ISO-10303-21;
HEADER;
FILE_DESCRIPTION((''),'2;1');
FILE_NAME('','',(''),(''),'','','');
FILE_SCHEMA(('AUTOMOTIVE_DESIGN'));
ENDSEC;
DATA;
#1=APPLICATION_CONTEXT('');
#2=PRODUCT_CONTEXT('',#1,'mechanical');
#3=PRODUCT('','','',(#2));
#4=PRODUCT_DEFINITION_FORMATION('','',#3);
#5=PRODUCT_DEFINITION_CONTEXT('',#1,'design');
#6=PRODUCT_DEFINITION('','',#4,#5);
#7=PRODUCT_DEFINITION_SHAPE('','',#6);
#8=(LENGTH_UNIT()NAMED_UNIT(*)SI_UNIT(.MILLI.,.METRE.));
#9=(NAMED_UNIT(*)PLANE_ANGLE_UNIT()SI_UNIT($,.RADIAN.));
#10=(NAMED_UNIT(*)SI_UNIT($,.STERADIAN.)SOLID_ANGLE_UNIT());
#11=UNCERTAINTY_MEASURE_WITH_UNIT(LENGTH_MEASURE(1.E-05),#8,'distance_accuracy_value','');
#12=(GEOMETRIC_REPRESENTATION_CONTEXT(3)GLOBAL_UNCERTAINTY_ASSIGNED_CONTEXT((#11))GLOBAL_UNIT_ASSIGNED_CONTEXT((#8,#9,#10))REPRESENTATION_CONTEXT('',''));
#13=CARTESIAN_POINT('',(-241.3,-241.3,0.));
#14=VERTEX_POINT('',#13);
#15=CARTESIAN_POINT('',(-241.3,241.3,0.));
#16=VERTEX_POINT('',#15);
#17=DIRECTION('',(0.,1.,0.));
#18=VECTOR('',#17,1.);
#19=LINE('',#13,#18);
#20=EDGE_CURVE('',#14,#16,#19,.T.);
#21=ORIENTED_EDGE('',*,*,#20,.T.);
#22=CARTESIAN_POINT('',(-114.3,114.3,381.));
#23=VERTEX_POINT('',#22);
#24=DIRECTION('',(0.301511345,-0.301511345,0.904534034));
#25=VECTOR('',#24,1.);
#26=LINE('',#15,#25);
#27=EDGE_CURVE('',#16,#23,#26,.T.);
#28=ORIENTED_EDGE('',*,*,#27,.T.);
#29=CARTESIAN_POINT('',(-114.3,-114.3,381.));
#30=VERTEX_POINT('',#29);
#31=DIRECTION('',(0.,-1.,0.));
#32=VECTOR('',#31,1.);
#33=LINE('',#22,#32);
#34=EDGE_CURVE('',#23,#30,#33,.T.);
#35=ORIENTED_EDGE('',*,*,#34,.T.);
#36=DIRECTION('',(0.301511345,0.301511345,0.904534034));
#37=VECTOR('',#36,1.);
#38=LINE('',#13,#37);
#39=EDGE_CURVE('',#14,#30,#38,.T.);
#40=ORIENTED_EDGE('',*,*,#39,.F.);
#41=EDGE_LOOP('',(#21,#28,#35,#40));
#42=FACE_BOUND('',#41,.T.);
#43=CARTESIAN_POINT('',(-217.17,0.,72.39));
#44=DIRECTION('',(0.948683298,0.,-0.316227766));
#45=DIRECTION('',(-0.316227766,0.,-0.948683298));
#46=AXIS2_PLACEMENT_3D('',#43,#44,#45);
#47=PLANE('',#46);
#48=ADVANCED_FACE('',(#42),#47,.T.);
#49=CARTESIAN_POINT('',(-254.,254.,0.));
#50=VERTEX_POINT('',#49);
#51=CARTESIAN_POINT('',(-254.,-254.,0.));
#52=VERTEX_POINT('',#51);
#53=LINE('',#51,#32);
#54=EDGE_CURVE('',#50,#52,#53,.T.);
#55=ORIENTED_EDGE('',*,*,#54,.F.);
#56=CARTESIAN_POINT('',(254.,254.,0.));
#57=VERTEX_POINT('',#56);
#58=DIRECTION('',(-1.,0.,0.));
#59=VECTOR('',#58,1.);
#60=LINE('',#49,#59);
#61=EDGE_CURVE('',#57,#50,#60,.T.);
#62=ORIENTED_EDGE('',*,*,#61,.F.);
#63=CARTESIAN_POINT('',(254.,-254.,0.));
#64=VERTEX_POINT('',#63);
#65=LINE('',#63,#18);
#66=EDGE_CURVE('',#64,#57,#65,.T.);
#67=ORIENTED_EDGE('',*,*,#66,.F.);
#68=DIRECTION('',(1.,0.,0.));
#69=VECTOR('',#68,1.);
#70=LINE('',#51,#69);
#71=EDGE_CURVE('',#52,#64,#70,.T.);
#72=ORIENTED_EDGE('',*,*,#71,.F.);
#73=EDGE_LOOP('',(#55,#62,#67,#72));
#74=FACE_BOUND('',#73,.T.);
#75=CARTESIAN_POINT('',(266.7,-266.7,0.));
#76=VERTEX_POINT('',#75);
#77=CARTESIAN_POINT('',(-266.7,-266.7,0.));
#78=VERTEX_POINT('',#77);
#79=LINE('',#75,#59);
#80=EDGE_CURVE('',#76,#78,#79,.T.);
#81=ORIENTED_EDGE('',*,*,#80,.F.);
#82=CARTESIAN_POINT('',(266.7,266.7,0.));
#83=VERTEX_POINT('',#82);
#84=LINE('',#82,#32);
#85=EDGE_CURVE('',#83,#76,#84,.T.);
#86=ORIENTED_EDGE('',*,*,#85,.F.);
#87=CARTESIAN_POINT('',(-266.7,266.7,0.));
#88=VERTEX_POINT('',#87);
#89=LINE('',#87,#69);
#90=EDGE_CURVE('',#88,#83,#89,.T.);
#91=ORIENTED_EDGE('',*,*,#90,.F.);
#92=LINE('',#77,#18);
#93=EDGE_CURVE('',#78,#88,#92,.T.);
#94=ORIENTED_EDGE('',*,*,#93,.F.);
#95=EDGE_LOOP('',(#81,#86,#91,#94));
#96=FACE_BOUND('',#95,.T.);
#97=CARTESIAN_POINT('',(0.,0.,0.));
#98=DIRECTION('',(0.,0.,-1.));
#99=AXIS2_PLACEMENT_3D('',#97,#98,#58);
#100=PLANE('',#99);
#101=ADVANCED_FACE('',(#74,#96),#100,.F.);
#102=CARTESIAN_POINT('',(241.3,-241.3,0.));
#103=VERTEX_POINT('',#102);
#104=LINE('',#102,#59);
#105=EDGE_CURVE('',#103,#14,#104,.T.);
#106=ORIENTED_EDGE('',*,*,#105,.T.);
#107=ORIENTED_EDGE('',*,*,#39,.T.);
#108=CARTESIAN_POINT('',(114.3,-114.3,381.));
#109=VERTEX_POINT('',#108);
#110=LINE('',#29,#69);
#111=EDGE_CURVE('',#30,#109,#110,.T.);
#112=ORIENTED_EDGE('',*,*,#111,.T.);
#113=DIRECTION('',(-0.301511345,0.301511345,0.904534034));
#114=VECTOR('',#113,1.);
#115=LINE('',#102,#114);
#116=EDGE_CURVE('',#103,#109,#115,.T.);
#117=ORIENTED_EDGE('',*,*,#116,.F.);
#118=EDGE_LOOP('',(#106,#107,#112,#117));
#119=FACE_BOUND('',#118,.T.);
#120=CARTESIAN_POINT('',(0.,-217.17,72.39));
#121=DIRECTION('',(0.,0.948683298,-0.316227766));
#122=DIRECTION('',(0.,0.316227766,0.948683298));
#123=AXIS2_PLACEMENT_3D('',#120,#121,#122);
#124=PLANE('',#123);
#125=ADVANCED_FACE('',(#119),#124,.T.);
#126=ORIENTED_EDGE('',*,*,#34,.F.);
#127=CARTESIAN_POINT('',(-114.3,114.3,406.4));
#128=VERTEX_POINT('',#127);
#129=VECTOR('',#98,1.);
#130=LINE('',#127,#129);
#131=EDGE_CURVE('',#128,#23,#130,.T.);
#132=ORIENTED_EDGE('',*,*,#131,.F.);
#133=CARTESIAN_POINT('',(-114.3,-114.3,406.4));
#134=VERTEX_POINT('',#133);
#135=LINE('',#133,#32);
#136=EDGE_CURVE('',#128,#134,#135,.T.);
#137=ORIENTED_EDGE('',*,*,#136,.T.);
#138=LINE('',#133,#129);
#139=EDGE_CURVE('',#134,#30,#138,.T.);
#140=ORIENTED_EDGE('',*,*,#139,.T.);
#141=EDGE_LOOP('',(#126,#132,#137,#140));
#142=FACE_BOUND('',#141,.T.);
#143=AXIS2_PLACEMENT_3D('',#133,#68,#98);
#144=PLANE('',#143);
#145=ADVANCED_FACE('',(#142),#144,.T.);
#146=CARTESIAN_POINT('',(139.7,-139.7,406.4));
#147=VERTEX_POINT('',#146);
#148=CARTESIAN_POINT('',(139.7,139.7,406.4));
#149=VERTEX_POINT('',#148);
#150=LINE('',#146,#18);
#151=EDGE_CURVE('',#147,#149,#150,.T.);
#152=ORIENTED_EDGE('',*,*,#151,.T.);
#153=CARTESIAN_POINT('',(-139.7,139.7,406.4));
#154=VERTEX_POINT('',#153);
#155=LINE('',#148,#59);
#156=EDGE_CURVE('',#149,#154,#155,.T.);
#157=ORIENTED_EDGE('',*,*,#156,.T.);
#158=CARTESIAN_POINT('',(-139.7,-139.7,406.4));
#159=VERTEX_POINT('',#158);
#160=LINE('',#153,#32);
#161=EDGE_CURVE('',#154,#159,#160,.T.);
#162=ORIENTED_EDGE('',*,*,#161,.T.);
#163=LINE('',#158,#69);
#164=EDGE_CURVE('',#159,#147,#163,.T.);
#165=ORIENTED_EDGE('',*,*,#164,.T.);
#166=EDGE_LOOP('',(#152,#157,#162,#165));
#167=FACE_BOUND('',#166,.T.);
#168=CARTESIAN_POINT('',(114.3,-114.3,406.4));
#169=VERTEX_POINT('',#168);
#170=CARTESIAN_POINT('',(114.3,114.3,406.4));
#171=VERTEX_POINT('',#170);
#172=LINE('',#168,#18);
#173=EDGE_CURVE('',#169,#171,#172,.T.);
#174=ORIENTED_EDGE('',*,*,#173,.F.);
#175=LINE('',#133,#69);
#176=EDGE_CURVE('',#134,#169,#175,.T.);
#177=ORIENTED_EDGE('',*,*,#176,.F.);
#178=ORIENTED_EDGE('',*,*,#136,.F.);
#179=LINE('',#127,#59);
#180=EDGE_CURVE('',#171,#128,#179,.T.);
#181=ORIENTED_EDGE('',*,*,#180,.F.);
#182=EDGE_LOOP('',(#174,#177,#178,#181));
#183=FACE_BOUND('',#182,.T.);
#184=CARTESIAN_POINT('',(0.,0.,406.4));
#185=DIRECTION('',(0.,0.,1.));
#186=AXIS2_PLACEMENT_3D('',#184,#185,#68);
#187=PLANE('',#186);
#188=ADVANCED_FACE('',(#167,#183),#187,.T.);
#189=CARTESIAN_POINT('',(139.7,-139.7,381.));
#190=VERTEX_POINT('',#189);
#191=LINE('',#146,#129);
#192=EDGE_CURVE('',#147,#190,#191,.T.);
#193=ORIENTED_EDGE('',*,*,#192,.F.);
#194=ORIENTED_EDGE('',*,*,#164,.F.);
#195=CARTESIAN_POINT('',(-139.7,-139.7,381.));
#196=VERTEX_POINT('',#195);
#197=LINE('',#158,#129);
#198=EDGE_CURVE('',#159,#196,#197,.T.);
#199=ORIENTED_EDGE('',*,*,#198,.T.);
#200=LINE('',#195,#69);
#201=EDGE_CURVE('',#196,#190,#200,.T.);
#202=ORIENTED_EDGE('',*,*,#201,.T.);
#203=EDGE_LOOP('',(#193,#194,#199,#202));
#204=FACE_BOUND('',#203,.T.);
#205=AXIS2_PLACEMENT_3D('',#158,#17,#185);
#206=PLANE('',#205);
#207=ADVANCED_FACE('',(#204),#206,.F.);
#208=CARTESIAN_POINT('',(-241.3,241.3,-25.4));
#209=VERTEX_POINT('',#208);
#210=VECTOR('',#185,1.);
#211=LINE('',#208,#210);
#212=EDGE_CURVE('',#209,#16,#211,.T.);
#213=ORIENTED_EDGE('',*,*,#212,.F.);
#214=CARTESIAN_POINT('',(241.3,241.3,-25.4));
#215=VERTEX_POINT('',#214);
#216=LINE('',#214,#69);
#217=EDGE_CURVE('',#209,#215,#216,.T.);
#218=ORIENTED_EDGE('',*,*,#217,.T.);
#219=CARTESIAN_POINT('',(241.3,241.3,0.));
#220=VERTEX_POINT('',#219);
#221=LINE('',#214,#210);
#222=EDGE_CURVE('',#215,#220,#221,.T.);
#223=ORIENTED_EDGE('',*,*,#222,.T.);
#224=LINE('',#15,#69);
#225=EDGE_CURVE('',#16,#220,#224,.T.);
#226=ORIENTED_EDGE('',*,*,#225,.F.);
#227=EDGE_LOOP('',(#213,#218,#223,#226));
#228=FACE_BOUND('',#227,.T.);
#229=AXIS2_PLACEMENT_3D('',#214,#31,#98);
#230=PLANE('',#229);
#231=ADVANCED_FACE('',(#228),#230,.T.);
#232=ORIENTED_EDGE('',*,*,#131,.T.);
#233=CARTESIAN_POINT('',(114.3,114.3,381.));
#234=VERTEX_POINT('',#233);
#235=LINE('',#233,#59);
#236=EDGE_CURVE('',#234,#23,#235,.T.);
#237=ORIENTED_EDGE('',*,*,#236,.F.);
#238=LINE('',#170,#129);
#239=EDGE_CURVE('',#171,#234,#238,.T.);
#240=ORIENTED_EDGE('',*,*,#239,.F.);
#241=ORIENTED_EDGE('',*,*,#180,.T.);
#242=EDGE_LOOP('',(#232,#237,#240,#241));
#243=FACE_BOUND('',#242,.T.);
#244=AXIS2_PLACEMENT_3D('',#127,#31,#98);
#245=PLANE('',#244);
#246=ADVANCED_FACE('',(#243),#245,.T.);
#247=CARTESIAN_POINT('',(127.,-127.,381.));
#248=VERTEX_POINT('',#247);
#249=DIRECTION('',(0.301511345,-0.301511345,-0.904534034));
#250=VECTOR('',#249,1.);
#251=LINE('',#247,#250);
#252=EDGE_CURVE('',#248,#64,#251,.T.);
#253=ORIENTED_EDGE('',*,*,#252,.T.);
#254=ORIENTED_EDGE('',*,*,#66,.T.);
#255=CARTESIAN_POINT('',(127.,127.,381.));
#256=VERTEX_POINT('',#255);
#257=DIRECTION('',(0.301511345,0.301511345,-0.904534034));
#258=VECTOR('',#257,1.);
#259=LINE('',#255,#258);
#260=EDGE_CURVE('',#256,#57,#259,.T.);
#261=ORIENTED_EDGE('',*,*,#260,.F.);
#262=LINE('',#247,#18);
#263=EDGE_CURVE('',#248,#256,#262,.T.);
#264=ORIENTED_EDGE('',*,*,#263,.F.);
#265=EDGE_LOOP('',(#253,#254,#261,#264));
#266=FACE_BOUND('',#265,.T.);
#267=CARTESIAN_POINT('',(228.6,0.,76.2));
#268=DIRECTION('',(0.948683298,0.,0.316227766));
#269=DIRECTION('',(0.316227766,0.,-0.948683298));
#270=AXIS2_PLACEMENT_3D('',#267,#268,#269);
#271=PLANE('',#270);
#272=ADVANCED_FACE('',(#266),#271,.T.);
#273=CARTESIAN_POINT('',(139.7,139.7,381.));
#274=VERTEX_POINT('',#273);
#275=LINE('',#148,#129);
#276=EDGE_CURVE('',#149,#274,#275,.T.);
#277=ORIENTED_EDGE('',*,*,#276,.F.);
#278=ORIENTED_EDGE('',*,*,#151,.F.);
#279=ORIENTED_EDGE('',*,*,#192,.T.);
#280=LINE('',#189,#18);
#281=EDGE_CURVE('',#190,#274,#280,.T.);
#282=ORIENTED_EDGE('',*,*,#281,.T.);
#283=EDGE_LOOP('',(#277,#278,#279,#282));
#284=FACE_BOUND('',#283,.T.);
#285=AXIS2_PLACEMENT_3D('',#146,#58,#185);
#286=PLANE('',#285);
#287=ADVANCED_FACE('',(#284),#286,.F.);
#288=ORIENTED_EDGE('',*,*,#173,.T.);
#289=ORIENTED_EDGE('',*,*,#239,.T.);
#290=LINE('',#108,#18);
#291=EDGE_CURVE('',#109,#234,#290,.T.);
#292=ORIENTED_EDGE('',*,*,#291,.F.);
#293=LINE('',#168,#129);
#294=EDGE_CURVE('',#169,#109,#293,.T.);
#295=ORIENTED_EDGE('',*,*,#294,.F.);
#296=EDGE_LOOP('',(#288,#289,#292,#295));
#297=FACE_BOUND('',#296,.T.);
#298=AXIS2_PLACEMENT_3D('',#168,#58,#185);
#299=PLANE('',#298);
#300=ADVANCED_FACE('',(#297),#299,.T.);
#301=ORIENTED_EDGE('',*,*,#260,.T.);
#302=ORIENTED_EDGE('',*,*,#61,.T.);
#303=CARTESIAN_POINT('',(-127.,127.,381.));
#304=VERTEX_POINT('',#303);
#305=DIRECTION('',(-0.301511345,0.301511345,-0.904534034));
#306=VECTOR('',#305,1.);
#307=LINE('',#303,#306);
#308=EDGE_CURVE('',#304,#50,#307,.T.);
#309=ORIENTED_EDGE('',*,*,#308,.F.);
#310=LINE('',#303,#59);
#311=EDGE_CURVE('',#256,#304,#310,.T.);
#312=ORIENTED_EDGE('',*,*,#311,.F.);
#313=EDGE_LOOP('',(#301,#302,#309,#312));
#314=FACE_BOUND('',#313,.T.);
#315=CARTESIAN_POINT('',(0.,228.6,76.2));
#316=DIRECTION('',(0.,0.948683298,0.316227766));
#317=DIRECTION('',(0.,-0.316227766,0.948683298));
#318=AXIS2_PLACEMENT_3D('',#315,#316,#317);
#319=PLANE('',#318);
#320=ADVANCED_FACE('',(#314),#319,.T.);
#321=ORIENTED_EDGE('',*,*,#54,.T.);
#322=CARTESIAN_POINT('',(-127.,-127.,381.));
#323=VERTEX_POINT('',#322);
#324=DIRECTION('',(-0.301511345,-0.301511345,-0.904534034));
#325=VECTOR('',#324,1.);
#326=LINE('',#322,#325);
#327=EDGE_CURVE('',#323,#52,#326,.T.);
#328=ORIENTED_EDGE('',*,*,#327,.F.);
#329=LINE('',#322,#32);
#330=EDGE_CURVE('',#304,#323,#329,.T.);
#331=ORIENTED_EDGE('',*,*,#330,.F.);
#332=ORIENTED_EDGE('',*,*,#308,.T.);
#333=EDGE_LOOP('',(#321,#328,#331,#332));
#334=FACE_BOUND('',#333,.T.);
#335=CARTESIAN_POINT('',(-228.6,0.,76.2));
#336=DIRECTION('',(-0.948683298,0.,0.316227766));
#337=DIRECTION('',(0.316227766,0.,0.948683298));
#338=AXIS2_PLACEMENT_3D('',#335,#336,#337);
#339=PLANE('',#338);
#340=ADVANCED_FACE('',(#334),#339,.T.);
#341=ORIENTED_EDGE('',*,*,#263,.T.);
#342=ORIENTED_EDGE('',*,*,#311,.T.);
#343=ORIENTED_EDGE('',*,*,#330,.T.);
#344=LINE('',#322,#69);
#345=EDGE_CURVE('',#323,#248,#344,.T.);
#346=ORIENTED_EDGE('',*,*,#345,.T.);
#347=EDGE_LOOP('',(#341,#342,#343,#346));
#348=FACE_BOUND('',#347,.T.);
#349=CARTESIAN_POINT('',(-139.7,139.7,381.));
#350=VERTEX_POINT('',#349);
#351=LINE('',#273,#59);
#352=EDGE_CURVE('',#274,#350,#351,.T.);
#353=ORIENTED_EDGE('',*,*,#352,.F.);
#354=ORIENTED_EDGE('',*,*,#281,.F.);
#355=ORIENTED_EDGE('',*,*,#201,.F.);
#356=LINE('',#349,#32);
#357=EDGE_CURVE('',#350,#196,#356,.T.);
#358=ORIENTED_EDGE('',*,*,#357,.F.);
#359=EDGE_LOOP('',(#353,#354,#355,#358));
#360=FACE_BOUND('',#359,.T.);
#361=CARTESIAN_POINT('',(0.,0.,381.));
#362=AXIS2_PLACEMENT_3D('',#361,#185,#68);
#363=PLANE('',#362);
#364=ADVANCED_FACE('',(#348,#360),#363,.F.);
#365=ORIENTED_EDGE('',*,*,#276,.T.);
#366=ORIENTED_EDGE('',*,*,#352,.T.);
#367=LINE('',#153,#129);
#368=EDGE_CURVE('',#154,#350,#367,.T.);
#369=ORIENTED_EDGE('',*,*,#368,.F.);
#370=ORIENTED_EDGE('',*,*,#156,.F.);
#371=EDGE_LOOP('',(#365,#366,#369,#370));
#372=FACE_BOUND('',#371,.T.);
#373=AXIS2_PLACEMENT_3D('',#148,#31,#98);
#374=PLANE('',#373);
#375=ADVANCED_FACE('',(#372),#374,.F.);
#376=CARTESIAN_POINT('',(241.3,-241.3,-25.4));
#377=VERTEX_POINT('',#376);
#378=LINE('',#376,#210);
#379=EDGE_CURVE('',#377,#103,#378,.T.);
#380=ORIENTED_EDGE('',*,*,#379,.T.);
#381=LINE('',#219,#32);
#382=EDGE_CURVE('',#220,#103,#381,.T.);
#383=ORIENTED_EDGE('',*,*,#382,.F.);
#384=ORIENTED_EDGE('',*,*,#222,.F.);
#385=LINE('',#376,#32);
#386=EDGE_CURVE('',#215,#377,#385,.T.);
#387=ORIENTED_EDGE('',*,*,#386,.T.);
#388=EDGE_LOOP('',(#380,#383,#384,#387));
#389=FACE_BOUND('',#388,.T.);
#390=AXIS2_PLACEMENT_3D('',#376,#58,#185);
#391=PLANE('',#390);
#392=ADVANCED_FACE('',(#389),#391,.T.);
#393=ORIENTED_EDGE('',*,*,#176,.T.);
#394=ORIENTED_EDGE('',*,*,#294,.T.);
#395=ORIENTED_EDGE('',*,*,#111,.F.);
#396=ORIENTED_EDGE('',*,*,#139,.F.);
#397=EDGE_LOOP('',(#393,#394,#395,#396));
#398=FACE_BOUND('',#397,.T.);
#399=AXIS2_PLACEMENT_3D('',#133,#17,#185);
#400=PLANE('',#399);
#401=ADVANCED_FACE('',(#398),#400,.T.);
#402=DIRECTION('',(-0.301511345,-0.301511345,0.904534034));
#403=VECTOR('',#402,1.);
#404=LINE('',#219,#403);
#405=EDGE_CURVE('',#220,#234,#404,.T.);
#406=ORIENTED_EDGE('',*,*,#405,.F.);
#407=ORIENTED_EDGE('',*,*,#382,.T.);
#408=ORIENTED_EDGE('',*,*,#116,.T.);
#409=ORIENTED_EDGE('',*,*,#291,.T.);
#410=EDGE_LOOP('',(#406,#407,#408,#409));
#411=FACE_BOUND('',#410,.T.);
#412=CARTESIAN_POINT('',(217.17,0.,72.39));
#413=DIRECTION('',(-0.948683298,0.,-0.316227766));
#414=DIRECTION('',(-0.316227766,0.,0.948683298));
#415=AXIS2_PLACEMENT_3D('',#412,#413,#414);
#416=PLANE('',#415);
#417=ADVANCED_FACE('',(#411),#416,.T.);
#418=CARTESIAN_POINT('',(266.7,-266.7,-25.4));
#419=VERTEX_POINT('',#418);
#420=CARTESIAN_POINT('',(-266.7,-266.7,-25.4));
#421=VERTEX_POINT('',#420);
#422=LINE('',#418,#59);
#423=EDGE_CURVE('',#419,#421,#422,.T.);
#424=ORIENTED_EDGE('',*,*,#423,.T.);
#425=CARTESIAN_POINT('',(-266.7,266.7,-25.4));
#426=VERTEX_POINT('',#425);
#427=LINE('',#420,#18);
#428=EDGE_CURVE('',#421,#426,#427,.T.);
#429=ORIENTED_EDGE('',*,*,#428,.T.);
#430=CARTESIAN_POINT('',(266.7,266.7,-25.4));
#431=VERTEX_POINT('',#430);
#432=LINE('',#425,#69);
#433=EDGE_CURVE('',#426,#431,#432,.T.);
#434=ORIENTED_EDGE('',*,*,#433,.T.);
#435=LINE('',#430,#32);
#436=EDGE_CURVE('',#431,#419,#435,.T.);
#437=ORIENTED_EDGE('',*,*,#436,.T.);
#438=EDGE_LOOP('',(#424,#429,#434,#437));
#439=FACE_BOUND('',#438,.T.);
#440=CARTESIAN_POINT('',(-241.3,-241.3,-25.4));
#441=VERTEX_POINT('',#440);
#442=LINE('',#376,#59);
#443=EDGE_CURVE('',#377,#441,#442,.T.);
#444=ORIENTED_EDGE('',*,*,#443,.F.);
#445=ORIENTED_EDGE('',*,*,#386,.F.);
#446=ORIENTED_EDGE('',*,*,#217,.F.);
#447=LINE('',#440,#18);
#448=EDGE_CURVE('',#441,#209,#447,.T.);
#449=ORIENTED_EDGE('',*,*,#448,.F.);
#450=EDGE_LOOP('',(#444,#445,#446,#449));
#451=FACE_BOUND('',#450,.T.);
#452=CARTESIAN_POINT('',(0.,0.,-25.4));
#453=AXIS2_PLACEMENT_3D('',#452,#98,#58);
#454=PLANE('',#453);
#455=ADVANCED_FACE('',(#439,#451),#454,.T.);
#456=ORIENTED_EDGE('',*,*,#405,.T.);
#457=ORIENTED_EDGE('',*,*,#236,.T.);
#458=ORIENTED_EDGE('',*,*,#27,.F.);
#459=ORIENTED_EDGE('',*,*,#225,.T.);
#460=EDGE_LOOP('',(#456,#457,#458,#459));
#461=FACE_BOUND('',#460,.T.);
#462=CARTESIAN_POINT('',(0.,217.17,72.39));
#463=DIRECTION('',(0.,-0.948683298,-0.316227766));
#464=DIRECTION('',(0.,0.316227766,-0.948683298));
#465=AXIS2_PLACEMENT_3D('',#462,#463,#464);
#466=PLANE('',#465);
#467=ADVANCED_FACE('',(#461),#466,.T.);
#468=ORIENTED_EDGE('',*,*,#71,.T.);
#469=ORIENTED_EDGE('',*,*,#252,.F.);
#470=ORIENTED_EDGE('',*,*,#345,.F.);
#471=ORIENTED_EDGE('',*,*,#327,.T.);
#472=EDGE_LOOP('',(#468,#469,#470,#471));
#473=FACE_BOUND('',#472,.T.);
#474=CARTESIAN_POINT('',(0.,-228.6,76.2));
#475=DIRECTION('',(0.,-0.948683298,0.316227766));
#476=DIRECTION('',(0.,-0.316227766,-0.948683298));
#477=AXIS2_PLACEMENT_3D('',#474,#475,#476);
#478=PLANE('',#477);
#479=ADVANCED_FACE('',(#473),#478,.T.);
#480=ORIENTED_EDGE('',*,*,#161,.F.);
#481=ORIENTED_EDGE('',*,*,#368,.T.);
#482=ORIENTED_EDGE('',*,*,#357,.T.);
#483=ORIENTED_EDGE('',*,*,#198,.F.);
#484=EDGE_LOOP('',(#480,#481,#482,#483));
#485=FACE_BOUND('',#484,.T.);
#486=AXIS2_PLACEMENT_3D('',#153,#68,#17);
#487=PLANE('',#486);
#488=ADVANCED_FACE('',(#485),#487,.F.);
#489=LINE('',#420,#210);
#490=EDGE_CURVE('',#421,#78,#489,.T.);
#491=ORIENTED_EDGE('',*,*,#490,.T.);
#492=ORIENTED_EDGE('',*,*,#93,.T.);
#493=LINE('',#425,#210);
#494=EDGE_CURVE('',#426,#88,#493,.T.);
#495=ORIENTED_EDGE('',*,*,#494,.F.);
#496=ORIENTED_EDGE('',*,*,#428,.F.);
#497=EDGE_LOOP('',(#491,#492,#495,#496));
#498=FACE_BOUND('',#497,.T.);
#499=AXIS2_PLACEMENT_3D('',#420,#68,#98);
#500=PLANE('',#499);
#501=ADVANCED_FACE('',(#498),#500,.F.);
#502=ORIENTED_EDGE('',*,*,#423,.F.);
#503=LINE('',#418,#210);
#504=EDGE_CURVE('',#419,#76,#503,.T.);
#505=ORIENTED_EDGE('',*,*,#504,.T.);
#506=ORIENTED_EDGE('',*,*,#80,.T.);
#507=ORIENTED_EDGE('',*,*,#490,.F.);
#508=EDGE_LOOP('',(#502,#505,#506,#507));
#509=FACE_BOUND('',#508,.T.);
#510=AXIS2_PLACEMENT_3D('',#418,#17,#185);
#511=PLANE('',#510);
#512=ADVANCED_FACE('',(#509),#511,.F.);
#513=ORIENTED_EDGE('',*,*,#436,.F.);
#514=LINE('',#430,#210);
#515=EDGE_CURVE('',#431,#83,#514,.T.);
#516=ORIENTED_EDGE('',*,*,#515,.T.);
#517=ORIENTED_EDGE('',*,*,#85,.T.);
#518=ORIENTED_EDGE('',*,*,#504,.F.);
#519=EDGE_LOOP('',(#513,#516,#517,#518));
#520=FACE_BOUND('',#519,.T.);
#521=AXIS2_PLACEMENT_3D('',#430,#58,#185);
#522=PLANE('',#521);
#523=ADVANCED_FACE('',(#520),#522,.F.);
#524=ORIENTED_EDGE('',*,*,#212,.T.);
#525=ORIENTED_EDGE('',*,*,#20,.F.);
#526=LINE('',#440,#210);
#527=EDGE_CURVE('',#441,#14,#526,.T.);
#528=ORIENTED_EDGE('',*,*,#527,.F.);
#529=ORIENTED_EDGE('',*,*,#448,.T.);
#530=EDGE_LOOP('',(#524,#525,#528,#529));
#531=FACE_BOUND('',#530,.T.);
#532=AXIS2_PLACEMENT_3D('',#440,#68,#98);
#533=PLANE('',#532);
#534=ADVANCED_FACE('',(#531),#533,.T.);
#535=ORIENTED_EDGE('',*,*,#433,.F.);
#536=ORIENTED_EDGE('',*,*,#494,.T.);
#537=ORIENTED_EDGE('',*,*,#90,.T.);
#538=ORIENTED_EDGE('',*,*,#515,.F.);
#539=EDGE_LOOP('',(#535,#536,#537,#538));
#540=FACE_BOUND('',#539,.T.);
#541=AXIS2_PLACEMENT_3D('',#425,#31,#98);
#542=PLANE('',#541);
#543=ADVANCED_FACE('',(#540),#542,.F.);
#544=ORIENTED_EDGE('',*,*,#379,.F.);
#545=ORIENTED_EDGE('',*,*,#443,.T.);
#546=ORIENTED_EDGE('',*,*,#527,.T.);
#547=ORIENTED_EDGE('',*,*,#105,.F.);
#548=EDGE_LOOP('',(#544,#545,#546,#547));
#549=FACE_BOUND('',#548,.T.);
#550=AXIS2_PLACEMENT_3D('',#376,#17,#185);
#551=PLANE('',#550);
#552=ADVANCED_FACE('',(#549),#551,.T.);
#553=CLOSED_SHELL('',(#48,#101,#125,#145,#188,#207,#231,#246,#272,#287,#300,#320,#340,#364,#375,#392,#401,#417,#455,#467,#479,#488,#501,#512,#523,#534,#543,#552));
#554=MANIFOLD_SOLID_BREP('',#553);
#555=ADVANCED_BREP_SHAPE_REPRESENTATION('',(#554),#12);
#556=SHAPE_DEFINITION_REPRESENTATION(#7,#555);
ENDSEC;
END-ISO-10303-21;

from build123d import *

# Parameters (mm, degrees)
SKETCH5_W           = 279.4
SKETCH5_H           = 279.4
SKETCH5_W_2         = 228.6
SKETCH5_H_2         = 228.6
BOSS_EXTRUDE1_DEPTH = 25.4
SKETCH6_W           = 533.4
SKETCH6_H           = 533.4
SKETCH6_W_2         = 482.6
SKETCH6_H_2         = 482.6
BOSS_EXTRUDE2_DEPTH = 25.4


with BuildPart() as part:
    # Sketch2 → Loft1 section 0
    with BuildSketch(Plane.XY.offset(381)):
        with BuildLine():
            Line((-127, -127), (127, -127))
            Line((127, -127), (127, 127))
            Line((127, 127), (-127, 127))
            Line((-127, 127), (-127, -127))
        make_face()
    # Sketch1 → Loft1 section 1
    with BuildSketch(Plane.XY):
        with BuildLine():
            Line((-254, -254), (254, -254))
            Line((254, -254), (254, 254))
            Line((254, 254), (-254, 254))
            Line((-254, 254), (-254, -254))
        make_face()
    loft()

    # Sketch4 → Cut-Loft1 section 0
    with BuildSketch(Plane(origin=(0, 0, 0), x_dir=(-1, 0, 0), z_dir=(0, 0, -1))):
        with BuildLine():
            Line((241.3, -241.3), (241.3, 241.3))
            Line((241.3, 241.3), (-241.3, 241.3))
            Line((-241.3, 241.3), (-241.3, -241.3))
            Line((-241.3, -241.3), (241.3, -241.3))
        make_face()
    # Sketch3 → Cut-Loft1 section 1
    with BuildSketch(Plane.XY.offset(381)):
        with BuildLine():
            Line((114.3, -114.3), (114.3, 114.3))
            Line((114.3, 114.3), (-114.3, 114.3))
            Line((-114.3, 114.3), (-114.3, -114.3))
            Line((-114.3, -114.3), (114.3, -114.3))
        make_face()
    loft(mode=Mode.SUBTRACT)

    # Sketch5 → Boss-Extrude1 (add)
    with BuildSketch(Plane.XY.offset(381)):
        Rectangle(SKETCH5_W, SKETCH5_H)
        Rectangle(SKETCH5_W_2, SKETCH5_H_2, mode=Mode.SUBTRACT)
    extrude(amount=BOSS_EXTRUDE1_DEPTH)

    # Sketch6 → Boss-Extrude2 (add)
    with BuildSketch(Plane(origin=(0, 0, 0), x_dir=(-1, 0, 0), z_dir=(0, 0, -1))):
        Rectangle(SKETCH6_W, SKETCH6_H)
        Rectangle(SKETCH6_W_2, SKETCH6_H_2, mode=Mode.SUBTRACT)
    extrude(amount=BOSS_EXTRUDE2_DEPTH)


solid = part.part
